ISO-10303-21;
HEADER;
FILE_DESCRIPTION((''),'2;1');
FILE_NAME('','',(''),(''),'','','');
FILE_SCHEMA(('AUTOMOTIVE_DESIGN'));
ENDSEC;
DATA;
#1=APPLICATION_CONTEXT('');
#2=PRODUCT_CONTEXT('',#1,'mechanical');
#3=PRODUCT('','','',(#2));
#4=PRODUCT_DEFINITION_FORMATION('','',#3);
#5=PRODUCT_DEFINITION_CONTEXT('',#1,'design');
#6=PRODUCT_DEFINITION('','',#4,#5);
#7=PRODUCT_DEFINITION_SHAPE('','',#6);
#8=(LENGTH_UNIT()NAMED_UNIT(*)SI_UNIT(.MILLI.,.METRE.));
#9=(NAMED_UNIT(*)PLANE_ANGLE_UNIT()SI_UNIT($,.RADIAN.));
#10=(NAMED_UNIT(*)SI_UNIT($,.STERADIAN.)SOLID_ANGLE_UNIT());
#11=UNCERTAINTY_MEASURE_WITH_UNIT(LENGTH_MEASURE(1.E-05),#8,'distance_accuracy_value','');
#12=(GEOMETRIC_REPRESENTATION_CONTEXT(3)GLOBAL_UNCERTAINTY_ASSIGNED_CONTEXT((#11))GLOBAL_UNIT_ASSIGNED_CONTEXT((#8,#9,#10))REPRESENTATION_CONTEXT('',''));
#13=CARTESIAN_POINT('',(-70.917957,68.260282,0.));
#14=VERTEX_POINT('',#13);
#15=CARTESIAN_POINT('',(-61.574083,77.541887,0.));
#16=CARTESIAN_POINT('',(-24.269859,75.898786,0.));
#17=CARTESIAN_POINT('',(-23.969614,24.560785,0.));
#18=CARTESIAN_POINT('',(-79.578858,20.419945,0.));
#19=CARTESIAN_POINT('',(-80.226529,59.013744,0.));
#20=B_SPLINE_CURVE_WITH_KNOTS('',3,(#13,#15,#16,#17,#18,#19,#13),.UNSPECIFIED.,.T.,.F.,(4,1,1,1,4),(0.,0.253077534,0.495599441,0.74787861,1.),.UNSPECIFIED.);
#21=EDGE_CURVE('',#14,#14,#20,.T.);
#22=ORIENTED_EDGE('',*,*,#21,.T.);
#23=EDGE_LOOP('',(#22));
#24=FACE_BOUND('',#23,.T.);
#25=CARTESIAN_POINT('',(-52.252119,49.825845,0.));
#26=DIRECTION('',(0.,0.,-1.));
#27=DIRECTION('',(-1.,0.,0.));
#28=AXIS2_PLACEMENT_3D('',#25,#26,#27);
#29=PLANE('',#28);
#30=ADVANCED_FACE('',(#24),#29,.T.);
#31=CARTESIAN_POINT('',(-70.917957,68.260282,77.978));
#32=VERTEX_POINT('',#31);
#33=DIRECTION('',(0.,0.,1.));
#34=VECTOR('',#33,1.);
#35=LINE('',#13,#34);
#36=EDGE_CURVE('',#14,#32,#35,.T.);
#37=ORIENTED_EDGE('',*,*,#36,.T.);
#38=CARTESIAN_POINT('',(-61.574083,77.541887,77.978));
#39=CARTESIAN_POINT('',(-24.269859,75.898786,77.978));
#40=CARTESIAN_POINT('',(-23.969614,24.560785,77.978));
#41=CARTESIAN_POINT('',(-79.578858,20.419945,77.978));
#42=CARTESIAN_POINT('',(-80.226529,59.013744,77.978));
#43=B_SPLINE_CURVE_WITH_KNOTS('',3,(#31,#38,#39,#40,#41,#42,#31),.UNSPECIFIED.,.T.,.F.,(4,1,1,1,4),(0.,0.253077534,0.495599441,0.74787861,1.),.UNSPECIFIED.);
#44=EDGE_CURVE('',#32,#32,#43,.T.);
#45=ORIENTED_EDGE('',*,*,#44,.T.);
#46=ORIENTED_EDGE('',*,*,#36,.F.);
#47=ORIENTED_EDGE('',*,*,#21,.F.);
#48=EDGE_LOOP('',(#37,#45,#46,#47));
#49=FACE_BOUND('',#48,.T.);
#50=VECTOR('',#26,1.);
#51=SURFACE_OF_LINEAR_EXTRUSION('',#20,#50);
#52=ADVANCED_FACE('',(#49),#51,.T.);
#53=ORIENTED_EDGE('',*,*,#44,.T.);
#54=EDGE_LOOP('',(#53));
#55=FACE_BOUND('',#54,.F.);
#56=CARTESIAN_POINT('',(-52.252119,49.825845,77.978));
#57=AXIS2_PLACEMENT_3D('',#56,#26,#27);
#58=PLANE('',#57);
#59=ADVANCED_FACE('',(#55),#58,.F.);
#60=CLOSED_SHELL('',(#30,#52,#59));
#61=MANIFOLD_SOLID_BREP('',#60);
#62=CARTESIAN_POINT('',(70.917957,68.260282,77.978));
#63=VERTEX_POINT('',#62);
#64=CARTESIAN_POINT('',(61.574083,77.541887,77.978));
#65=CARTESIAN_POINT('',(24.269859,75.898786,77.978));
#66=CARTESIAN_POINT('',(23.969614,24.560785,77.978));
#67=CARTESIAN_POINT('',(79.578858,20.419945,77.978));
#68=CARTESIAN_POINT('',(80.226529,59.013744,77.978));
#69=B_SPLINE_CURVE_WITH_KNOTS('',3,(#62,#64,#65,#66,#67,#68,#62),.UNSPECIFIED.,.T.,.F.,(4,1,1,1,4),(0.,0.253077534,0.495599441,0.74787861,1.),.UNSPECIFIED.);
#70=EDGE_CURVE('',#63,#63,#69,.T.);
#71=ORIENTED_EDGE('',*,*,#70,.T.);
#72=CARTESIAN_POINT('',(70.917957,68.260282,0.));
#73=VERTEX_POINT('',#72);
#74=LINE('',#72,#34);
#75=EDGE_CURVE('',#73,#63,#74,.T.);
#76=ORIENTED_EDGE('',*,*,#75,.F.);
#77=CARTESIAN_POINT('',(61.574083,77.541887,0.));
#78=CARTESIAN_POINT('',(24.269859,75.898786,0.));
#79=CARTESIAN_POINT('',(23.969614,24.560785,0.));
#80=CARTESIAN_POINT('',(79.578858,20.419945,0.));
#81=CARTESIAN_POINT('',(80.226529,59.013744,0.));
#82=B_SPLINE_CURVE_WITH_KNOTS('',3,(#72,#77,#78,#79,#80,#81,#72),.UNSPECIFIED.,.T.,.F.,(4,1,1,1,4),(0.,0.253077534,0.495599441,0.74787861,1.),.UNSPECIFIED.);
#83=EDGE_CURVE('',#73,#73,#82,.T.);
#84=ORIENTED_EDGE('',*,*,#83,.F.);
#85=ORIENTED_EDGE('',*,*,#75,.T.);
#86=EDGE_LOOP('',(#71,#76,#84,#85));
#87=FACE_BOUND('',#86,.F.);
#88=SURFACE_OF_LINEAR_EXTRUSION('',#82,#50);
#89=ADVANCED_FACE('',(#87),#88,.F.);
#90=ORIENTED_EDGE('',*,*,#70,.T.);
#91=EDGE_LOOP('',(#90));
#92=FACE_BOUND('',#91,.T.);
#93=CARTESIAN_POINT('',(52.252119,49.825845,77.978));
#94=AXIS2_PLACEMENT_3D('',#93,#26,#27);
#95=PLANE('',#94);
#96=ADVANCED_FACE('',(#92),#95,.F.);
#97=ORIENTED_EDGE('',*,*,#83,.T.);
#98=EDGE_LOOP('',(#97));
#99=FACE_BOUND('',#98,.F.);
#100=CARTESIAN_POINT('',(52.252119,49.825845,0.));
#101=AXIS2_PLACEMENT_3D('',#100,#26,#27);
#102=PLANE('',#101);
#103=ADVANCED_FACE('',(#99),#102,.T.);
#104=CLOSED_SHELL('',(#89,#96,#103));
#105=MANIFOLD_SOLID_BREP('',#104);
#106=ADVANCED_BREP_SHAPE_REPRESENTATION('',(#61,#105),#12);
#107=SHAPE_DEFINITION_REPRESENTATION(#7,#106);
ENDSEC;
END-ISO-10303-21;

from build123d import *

# Parameters (mm, degrees)
F1_DEPTH = 77.978


with BuildPart() as f1:
    # F0 (on Top) → F1 (new body)
    with BuildSketch(Plane.XY):
        with BuildLine():
            add(Edge.make_bspline(
                [(-70.917956531, 68.2602822781), (-61.5740825881, 77.5418871055), (-24.2698588763, 75.898785722), (-23.9696135781, 24.5607846836), (-79.578857993, 20.4199450753), (-80.226528706, 59.0137439618), (-70.917956531, 68.2602822781)],
                knots=[0, 0, 0, 0, 0.2530775337, 0.4955994406, 0.7478786098, 1, 1, 1, 1], degree=3))
        make_face()
    extrude(amount=F1_DEPTH)


with BuildPart() as f2_1:
    # F2: instance of F1
    add(f1.part.mirror(Plane.YZ))


solid = Compound([f1.part, f2_1.part])
